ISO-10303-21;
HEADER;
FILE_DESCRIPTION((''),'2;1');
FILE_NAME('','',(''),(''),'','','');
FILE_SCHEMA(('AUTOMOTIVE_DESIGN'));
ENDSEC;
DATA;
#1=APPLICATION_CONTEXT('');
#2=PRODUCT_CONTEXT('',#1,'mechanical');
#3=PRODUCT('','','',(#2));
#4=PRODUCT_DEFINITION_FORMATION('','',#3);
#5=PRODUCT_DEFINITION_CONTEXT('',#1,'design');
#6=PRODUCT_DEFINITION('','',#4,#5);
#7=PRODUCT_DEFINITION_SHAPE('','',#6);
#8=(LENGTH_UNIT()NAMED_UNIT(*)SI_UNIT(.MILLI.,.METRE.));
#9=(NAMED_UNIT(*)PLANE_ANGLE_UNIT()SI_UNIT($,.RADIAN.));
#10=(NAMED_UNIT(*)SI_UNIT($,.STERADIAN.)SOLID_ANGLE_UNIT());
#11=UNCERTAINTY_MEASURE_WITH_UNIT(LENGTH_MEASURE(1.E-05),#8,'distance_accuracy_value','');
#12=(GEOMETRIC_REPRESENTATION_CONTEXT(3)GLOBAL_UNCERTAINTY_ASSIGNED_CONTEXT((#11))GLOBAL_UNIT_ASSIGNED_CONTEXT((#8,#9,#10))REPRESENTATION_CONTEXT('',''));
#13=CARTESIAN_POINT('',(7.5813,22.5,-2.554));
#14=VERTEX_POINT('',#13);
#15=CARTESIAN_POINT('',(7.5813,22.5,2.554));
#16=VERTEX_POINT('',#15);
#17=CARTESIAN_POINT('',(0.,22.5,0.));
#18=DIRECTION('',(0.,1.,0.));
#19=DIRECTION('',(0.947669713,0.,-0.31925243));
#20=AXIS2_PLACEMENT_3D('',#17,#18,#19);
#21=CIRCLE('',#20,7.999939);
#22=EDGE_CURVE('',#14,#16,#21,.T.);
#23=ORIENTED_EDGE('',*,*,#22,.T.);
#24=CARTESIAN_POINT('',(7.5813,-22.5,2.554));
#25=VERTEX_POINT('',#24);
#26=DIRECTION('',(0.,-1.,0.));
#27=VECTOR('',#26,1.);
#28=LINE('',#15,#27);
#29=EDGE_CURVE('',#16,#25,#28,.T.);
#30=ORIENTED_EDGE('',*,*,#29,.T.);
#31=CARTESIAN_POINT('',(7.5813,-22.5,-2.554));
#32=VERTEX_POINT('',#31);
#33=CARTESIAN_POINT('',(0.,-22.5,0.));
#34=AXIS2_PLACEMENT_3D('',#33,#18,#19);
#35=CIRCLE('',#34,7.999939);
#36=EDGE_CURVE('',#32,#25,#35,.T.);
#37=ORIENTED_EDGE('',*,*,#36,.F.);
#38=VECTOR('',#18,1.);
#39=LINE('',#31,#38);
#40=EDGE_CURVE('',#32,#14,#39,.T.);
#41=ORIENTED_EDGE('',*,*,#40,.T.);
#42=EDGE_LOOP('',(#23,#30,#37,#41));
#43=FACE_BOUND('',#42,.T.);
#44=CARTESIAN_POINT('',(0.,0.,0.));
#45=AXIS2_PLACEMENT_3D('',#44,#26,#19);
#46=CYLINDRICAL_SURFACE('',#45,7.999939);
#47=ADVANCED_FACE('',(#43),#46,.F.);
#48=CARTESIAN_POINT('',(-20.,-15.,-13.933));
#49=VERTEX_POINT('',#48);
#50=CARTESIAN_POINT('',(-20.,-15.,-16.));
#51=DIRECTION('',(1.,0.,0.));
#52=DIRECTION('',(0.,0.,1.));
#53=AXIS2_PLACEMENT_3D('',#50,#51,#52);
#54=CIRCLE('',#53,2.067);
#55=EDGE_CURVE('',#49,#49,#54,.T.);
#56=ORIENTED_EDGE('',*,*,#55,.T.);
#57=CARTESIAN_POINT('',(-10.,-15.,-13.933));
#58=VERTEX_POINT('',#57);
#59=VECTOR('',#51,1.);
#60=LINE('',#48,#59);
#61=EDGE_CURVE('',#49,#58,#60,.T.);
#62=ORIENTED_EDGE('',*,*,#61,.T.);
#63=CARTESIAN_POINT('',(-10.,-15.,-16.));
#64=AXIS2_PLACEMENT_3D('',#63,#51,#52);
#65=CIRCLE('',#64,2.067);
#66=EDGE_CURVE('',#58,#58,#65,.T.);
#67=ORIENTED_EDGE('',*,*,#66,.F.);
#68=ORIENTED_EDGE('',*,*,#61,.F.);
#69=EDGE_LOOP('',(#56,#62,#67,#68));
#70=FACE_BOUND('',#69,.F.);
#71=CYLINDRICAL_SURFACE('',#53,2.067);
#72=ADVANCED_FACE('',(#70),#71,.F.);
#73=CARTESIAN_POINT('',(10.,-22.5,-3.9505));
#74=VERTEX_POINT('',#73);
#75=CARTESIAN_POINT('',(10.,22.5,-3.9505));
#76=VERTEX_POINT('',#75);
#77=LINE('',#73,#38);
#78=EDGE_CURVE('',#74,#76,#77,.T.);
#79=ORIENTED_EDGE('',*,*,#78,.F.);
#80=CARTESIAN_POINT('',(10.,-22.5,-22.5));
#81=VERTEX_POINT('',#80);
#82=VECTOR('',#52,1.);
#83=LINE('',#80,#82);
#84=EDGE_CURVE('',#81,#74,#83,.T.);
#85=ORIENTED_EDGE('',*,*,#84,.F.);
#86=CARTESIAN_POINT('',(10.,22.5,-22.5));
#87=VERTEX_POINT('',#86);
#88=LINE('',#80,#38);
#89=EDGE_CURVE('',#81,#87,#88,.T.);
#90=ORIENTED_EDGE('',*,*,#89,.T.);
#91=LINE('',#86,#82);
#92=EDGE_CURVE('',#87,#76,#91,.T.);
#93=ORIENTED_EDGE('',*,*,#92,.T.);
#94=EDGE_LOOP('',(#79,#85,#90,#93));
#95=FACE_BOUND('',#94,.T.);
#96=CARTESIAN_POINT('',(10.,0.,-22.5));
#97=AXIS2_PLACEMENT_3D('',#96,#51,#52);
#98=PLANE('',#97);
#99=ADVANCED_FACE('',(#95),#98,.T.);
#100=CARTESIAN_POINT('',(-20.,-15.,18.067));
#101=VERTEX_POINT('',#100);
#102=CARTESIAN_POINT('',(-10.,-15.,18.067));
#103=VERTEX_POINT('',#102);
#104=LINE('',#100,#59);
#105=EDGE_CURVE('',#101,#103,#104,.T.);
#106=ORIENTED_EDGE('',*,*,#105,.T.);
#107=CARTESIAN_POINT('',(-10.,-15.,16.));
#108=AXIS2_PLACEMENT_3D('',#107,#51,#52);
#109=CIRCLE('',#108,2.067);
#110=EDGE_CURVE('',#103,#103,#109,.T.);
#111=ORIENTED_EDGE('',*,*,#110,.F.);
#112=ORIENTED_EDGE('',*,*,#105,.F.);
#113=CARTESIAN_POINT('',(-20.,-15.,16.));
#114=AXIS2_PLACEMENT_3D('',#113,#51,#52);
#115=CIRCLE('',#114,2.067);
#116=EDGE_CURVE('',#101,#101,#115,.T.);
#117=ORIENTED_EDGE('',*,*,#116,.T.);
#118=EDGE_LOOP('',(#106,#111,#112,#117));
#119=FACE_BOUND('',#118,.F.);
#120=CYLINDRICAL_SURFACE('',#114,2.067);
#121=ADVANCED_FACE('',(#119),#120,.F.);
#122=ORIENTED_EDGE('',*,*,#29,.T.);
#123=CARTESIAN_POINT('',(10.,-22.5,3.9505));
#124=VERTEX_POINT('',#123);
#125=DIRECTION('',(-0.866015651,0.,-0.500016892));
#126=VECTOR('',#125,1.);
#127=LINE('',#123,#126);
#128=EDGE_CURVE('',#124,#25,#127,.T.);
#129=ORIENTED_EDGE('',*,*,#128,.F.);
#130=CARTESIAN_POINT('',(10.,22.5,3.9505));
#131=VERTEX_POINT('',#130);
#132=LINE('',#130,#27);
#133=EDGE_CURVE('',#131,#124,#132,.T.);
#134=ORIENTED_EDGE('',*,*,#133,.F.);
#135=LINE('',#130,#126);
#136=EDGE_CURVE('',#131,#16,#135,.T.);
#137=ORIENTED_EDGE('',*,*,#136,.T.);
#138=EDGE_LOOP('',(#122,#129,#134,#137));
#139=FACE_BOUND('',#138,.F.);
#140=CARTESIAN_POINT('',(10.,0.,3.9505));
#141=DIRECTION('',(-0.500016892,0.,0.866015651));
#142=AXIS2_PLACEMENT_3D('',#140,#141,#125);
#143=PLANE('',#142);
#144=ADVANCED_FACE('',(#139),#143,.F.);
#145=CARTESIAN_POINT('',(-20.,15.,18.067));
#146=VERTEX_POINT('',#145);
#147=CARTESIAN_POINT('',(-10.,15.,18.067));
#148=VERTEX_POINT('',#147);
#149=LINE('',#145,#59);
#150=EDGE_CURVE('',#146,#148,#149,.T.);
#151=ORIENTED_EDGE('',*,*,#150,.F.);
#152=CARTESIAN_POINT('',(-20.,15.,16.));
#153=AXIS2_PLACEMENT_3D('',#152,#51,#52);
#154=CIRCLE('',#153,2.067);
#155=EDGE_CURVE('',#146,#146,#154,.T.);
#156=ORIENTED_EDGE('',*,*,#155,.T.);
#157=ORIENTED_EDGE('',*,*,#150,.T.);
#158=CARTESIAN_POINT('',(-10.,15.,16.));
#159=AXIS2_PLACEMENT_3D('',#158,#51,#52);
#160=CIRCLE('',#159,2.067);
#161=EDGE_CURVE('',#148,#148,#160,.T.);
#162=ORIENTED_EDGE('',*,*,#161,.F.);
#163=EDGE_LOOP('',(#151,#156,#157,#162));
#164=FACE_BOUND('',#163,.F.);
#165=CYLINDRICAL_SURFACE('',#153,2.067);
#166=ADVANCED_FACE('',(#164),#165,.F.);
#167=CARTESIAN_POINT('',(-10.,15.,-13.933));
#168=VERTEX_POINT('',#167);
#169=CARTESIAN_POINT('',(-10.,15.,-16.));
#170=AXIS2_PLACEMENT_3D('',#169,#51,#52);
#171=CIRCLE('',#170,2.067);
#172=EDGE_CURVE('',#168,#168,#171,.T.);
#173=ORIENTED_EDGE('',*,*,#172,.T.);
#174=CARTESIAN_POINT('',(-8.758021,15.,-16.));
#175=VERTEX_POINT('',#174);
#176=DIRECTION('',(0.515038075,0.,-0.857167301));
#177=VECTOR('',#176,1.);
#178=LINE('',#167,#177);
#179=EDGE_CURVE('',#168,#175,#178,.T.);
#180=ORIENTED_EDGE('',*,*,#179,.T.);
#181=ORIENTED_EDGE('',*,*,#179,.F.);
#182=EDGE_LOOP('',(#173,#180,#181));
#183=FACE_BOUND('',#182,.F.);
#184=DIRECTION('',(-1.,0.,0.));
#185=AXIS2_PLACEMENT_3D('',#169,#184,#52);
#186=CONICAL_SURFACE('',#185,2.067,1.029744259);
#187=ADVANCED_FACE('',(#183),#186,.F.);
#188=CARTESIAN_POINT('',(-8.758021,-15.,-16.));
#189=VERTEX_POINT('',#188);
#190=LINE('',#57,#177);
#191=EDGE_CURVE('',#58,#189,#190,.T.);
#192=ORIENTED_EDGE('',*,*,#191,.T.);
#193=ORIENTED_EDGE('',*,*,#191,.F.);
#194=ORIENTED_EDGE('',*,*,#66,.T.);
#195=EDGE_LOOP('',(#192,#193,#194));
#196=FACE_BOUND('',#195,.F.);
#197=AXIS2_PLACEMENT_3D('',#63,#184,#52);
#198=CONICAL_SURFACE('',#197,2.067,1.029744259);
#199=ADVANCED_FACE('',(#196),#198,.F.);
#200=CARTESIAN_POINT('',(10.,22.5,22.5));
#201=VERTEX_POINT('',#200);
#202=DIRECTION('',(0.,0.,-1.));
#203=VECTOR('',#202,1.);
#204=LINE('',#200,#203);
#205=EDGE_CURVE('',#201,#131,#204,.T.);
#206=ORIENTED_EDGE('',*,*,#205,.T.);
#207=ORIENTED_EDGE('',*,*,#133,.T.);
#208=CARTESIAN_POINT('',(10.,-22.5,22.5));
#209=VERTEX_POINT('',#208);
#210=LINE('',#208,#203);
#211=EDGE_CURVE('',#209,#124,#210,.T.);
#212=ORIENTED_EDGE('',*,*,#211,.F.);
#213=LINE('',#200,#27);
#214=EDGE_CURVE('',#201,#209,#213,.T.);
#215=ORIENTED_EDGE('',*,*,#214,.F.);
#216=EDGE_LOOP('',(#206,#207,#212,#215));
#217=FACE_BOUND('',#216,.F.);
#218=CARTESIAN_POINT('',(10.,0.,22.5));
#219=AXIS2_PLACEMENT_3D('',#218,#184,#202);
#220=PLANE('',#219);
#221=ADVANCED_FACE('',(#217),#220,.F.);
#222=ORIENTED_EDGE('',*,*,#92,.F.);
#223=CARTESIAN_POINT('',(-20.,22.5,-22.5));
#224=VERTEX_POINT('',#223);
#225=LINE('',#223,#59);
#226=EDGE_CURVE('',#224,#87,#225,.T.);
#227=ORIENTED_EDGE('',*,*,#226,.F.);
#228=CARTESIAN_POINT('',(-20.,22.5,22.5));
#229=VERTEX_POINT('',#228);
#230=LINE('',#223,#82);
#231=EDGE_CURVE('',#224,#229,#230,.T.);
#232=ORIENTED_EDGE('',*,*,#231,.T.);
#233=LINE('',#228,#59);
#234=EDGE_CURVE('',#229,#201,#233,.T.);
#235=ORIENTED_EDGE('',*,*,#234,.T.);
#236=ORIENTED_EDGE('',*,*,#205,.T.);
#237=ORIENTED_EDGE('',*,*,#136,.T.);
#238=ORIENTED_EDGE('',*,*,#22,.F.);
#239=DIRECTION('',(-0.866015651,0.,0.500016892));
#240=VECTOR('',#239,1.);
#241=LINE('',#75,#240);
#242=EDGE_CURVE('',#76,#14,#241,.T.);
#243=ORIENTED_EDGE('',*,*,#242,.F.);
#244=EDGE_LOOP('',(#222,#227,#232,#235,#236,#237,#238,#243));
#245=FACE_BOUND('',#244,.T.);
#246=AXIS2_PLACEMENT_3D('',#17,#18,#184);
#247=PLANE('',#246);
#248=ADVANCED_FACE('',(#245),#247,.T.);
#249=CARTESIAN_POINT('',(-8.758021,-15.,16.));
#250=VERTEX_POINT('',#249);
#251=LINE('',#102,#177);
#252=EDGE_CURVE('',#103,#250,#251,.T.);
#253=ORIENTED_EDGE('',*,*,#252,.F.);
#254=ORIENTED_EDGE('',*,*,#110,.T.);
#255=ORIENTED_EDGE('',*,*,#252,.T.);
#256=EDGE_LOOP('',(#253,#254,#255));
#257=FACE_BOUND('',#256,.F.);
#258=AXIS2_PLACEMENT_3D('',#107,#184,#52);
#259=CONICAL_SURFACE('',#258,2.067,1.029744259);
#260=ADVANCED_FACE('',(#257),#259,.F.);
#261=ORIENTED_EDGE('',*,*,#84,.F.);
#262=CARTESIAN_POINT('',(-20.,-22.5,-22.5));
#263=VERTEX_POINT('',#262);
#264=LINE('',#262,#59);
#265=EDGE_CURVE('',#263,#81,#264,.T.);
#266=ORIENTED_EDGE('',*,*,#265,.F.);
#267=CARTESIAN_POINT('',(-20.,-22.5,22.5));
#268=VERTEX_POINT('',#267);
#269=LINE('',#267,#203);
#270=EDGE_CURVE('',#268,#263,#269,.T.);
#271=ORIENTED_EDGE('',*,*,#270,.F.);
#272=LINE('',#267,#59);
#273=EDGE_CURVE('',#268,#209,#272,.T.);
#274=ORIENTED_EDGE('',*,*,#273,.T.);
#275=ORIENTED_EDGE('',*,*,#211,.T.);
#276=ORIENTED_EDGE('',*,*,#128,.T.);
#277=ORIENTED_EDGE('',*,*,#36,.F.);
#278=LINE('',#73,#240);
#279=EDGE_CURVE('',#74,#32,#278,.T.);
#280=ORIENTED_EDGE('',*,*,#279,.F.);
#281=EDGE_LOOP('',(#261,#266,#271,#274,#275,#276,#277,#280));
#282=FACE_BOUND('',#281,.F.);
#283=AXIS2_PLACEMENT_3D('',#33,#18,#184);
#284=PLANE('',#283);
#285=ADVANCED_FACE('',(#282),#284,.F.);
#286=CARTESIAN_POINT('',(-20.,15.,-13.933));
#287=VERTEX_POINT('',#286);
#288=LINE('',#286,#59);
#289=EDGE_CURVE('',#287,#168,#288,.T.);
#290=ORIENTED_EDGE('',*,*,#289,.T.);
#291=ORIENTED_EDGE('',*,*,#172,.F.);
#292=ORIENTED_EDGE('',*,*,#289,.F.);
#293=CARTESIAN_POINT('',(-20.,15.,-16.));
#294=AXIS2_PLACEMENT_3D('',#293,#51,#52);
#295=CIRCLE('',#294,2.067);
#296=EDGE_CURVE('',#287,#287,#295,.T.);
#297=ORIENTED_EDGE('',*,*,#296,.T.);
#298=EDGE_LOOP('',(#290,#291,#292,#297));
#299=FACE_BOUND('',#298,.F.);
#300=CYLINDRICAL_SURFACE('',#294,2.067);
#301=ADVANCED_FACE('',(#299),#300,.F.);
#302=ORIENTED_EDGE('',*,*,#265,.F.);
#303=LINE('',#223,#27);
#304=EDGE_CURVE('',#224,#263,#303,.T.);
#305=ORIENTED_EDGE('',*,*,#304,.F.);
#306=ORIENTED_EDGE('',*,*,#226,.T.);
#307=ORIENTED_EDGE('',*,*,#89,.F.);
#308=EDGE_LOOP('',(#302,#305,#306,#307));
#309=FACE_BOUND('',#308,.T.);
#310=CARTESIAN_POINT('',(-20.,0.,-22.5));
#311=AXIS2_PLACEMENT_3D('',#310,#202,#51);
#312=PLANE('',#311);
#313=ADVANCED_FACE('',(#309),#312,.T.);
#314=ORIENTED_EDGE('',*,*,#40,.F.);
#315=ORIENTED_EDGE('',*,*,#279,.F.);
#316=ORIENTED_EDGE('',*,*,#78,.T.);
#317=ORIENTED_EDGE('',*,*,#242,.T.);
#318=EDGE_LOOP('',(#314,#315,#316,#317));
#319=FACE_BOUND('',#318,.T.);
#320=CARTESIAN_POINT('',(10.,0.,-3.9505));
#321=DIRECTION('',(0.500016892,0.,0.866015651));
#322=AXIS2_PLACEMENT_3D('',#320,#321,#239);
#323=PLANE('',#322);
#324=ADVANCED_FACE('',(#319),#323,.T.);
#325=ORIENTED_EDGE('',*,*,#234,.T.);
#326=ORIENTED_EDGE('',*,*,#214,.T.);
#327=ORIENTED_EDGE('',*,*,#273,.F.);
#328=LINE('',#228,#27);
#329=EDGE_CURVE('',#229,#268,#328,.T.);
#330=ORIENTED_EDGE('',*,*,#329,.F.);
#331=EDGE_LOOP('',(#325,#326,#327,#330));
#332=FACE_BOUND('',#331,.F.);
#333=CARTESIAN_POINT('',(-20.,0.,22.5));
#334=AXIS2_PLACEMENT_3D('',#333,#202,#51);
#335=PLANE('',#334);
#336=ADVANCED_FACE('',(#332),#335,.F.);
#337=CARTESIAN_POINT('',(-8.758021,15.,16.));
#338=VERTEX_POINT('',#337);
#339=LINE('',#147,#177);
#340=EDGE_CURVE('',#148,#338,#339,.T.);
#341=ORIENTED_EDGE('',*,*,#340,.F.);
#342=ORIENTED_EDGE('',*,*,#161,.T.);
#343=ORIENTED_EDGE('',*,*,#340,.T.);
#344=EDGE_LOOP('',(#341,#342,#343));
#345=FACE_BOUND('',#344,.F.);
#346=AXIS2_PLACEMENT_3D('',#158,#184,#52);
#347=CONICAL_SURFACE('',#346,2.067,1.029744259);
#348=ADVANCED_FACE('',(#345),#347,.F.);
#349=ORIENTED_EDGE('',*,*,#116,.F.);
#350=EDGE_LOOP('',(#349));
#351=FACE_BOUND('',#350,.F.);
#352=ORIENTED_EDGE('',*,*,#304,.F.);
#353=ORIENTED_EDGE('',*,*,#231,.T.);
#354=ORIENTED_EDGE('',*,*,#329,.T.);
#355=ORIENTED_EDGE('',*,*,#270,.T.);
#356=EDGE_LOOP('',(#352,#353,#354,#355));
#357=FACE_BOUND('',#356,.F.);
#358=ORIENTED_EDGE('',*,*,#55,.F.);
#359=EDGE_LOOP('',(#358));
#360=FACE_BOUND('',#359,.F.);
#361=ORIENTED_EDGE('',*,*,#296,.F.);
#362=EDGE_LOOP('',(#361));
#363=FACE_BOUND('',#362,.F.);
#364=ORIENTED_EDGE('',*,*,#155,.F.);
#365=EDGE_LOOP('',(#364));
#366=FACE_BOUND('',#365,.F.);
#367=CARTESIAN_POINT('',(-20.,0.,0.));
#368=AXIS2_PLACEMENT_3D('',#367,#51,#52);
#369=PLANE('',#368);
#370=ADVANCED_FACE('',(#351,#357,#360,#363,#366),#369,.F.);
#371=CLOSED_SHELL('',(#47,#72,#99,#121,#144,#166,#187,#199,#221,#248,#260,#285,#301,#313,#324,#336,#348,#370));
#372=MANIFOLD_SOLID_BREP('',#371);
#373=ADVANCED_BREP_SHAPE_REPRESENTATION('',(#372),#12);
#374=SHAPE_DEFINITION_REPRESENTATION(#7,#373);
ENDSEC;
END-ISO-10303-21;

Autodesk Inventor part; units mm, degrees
ref_plane "YZ Plane" through (0, 0, 0) normal (1, 0, 0) x (0, 1, 0)
ref_plane "XZ Plane" through (0, 0, 0) normal (0, 1, 0) x (-1, 0, 0)
ref_plane "XY Plane" through (0, 0, 0) normal (0, 0, 1) x (1, 0, 0)
sketch "スケッチ1" plane through (0, 0, 0) normal (0, 1, 0) x (-1, 0, 0)
  arc A0 (-7.5813, -2.554) -> (-7.5813, 2.554) centre (0, 0) ccw
  line L0 (-10, -3.9505) -> (-7.5813, -2.554)
  line L1 (20, 0) -> (20, -22.5)
  line L2 (20, -22.5) -> (-10, -22.5)
  line L3 (-10, -22.5) -> (-10, -3.9505)
  line L4 (-10, 3.9505) -> (-7.5813, 2.554)
  line L5 (20, 0) -> (20, 22.5)
  line L6 (20, 22.5) -> (-10, 22.5)
  line L7 (-10, 22.5) -> (-10, 3.9505)
  dimension "d4" = 16
  dimension "d8" = 20
  dimension "d9" = 22.5
  dimension "d10" = 30
extrude "押し出し1" add sketch "スケッチ1" along normal mid plane 45
sketch "スケッチ2" plane through (-20, -22.5, -22.5) normal (-1, 0, 0) x (0, 0, 1)
  line L0 (45, 0) -> (45, 45) projected
  line L1 (0, 45) -> (45, 45) projected
  line L2 (45, 0) -> (0, 0) projected
  line L3 (22.5, 22.5) -> (22.5, 37.5)
  line L4 (22.5, 37.5) -> (38.5, 37.5)
  line L5 (22.5, 22.5) -> (0, 22.5)
  point P0 (6.5, 37.5)
  point P1 (38.5, 7.5)
  point P2 (6.5, 7.5)
  dimension "d13" = 15
  dimension "d14" = 16
hole "穴1" at (-20, 15, 16) at (-20, 15, -16) at (-20, -15, 16) at (-20, -15, -16) direction (1, 0, 0) diameter 4.134 depth 10 tip angle 118 thread size "M5x0.8" class "6H" standard "ISO Metric profile"
properties part number "linearbearing" material "ステンレス鋼 440C"
